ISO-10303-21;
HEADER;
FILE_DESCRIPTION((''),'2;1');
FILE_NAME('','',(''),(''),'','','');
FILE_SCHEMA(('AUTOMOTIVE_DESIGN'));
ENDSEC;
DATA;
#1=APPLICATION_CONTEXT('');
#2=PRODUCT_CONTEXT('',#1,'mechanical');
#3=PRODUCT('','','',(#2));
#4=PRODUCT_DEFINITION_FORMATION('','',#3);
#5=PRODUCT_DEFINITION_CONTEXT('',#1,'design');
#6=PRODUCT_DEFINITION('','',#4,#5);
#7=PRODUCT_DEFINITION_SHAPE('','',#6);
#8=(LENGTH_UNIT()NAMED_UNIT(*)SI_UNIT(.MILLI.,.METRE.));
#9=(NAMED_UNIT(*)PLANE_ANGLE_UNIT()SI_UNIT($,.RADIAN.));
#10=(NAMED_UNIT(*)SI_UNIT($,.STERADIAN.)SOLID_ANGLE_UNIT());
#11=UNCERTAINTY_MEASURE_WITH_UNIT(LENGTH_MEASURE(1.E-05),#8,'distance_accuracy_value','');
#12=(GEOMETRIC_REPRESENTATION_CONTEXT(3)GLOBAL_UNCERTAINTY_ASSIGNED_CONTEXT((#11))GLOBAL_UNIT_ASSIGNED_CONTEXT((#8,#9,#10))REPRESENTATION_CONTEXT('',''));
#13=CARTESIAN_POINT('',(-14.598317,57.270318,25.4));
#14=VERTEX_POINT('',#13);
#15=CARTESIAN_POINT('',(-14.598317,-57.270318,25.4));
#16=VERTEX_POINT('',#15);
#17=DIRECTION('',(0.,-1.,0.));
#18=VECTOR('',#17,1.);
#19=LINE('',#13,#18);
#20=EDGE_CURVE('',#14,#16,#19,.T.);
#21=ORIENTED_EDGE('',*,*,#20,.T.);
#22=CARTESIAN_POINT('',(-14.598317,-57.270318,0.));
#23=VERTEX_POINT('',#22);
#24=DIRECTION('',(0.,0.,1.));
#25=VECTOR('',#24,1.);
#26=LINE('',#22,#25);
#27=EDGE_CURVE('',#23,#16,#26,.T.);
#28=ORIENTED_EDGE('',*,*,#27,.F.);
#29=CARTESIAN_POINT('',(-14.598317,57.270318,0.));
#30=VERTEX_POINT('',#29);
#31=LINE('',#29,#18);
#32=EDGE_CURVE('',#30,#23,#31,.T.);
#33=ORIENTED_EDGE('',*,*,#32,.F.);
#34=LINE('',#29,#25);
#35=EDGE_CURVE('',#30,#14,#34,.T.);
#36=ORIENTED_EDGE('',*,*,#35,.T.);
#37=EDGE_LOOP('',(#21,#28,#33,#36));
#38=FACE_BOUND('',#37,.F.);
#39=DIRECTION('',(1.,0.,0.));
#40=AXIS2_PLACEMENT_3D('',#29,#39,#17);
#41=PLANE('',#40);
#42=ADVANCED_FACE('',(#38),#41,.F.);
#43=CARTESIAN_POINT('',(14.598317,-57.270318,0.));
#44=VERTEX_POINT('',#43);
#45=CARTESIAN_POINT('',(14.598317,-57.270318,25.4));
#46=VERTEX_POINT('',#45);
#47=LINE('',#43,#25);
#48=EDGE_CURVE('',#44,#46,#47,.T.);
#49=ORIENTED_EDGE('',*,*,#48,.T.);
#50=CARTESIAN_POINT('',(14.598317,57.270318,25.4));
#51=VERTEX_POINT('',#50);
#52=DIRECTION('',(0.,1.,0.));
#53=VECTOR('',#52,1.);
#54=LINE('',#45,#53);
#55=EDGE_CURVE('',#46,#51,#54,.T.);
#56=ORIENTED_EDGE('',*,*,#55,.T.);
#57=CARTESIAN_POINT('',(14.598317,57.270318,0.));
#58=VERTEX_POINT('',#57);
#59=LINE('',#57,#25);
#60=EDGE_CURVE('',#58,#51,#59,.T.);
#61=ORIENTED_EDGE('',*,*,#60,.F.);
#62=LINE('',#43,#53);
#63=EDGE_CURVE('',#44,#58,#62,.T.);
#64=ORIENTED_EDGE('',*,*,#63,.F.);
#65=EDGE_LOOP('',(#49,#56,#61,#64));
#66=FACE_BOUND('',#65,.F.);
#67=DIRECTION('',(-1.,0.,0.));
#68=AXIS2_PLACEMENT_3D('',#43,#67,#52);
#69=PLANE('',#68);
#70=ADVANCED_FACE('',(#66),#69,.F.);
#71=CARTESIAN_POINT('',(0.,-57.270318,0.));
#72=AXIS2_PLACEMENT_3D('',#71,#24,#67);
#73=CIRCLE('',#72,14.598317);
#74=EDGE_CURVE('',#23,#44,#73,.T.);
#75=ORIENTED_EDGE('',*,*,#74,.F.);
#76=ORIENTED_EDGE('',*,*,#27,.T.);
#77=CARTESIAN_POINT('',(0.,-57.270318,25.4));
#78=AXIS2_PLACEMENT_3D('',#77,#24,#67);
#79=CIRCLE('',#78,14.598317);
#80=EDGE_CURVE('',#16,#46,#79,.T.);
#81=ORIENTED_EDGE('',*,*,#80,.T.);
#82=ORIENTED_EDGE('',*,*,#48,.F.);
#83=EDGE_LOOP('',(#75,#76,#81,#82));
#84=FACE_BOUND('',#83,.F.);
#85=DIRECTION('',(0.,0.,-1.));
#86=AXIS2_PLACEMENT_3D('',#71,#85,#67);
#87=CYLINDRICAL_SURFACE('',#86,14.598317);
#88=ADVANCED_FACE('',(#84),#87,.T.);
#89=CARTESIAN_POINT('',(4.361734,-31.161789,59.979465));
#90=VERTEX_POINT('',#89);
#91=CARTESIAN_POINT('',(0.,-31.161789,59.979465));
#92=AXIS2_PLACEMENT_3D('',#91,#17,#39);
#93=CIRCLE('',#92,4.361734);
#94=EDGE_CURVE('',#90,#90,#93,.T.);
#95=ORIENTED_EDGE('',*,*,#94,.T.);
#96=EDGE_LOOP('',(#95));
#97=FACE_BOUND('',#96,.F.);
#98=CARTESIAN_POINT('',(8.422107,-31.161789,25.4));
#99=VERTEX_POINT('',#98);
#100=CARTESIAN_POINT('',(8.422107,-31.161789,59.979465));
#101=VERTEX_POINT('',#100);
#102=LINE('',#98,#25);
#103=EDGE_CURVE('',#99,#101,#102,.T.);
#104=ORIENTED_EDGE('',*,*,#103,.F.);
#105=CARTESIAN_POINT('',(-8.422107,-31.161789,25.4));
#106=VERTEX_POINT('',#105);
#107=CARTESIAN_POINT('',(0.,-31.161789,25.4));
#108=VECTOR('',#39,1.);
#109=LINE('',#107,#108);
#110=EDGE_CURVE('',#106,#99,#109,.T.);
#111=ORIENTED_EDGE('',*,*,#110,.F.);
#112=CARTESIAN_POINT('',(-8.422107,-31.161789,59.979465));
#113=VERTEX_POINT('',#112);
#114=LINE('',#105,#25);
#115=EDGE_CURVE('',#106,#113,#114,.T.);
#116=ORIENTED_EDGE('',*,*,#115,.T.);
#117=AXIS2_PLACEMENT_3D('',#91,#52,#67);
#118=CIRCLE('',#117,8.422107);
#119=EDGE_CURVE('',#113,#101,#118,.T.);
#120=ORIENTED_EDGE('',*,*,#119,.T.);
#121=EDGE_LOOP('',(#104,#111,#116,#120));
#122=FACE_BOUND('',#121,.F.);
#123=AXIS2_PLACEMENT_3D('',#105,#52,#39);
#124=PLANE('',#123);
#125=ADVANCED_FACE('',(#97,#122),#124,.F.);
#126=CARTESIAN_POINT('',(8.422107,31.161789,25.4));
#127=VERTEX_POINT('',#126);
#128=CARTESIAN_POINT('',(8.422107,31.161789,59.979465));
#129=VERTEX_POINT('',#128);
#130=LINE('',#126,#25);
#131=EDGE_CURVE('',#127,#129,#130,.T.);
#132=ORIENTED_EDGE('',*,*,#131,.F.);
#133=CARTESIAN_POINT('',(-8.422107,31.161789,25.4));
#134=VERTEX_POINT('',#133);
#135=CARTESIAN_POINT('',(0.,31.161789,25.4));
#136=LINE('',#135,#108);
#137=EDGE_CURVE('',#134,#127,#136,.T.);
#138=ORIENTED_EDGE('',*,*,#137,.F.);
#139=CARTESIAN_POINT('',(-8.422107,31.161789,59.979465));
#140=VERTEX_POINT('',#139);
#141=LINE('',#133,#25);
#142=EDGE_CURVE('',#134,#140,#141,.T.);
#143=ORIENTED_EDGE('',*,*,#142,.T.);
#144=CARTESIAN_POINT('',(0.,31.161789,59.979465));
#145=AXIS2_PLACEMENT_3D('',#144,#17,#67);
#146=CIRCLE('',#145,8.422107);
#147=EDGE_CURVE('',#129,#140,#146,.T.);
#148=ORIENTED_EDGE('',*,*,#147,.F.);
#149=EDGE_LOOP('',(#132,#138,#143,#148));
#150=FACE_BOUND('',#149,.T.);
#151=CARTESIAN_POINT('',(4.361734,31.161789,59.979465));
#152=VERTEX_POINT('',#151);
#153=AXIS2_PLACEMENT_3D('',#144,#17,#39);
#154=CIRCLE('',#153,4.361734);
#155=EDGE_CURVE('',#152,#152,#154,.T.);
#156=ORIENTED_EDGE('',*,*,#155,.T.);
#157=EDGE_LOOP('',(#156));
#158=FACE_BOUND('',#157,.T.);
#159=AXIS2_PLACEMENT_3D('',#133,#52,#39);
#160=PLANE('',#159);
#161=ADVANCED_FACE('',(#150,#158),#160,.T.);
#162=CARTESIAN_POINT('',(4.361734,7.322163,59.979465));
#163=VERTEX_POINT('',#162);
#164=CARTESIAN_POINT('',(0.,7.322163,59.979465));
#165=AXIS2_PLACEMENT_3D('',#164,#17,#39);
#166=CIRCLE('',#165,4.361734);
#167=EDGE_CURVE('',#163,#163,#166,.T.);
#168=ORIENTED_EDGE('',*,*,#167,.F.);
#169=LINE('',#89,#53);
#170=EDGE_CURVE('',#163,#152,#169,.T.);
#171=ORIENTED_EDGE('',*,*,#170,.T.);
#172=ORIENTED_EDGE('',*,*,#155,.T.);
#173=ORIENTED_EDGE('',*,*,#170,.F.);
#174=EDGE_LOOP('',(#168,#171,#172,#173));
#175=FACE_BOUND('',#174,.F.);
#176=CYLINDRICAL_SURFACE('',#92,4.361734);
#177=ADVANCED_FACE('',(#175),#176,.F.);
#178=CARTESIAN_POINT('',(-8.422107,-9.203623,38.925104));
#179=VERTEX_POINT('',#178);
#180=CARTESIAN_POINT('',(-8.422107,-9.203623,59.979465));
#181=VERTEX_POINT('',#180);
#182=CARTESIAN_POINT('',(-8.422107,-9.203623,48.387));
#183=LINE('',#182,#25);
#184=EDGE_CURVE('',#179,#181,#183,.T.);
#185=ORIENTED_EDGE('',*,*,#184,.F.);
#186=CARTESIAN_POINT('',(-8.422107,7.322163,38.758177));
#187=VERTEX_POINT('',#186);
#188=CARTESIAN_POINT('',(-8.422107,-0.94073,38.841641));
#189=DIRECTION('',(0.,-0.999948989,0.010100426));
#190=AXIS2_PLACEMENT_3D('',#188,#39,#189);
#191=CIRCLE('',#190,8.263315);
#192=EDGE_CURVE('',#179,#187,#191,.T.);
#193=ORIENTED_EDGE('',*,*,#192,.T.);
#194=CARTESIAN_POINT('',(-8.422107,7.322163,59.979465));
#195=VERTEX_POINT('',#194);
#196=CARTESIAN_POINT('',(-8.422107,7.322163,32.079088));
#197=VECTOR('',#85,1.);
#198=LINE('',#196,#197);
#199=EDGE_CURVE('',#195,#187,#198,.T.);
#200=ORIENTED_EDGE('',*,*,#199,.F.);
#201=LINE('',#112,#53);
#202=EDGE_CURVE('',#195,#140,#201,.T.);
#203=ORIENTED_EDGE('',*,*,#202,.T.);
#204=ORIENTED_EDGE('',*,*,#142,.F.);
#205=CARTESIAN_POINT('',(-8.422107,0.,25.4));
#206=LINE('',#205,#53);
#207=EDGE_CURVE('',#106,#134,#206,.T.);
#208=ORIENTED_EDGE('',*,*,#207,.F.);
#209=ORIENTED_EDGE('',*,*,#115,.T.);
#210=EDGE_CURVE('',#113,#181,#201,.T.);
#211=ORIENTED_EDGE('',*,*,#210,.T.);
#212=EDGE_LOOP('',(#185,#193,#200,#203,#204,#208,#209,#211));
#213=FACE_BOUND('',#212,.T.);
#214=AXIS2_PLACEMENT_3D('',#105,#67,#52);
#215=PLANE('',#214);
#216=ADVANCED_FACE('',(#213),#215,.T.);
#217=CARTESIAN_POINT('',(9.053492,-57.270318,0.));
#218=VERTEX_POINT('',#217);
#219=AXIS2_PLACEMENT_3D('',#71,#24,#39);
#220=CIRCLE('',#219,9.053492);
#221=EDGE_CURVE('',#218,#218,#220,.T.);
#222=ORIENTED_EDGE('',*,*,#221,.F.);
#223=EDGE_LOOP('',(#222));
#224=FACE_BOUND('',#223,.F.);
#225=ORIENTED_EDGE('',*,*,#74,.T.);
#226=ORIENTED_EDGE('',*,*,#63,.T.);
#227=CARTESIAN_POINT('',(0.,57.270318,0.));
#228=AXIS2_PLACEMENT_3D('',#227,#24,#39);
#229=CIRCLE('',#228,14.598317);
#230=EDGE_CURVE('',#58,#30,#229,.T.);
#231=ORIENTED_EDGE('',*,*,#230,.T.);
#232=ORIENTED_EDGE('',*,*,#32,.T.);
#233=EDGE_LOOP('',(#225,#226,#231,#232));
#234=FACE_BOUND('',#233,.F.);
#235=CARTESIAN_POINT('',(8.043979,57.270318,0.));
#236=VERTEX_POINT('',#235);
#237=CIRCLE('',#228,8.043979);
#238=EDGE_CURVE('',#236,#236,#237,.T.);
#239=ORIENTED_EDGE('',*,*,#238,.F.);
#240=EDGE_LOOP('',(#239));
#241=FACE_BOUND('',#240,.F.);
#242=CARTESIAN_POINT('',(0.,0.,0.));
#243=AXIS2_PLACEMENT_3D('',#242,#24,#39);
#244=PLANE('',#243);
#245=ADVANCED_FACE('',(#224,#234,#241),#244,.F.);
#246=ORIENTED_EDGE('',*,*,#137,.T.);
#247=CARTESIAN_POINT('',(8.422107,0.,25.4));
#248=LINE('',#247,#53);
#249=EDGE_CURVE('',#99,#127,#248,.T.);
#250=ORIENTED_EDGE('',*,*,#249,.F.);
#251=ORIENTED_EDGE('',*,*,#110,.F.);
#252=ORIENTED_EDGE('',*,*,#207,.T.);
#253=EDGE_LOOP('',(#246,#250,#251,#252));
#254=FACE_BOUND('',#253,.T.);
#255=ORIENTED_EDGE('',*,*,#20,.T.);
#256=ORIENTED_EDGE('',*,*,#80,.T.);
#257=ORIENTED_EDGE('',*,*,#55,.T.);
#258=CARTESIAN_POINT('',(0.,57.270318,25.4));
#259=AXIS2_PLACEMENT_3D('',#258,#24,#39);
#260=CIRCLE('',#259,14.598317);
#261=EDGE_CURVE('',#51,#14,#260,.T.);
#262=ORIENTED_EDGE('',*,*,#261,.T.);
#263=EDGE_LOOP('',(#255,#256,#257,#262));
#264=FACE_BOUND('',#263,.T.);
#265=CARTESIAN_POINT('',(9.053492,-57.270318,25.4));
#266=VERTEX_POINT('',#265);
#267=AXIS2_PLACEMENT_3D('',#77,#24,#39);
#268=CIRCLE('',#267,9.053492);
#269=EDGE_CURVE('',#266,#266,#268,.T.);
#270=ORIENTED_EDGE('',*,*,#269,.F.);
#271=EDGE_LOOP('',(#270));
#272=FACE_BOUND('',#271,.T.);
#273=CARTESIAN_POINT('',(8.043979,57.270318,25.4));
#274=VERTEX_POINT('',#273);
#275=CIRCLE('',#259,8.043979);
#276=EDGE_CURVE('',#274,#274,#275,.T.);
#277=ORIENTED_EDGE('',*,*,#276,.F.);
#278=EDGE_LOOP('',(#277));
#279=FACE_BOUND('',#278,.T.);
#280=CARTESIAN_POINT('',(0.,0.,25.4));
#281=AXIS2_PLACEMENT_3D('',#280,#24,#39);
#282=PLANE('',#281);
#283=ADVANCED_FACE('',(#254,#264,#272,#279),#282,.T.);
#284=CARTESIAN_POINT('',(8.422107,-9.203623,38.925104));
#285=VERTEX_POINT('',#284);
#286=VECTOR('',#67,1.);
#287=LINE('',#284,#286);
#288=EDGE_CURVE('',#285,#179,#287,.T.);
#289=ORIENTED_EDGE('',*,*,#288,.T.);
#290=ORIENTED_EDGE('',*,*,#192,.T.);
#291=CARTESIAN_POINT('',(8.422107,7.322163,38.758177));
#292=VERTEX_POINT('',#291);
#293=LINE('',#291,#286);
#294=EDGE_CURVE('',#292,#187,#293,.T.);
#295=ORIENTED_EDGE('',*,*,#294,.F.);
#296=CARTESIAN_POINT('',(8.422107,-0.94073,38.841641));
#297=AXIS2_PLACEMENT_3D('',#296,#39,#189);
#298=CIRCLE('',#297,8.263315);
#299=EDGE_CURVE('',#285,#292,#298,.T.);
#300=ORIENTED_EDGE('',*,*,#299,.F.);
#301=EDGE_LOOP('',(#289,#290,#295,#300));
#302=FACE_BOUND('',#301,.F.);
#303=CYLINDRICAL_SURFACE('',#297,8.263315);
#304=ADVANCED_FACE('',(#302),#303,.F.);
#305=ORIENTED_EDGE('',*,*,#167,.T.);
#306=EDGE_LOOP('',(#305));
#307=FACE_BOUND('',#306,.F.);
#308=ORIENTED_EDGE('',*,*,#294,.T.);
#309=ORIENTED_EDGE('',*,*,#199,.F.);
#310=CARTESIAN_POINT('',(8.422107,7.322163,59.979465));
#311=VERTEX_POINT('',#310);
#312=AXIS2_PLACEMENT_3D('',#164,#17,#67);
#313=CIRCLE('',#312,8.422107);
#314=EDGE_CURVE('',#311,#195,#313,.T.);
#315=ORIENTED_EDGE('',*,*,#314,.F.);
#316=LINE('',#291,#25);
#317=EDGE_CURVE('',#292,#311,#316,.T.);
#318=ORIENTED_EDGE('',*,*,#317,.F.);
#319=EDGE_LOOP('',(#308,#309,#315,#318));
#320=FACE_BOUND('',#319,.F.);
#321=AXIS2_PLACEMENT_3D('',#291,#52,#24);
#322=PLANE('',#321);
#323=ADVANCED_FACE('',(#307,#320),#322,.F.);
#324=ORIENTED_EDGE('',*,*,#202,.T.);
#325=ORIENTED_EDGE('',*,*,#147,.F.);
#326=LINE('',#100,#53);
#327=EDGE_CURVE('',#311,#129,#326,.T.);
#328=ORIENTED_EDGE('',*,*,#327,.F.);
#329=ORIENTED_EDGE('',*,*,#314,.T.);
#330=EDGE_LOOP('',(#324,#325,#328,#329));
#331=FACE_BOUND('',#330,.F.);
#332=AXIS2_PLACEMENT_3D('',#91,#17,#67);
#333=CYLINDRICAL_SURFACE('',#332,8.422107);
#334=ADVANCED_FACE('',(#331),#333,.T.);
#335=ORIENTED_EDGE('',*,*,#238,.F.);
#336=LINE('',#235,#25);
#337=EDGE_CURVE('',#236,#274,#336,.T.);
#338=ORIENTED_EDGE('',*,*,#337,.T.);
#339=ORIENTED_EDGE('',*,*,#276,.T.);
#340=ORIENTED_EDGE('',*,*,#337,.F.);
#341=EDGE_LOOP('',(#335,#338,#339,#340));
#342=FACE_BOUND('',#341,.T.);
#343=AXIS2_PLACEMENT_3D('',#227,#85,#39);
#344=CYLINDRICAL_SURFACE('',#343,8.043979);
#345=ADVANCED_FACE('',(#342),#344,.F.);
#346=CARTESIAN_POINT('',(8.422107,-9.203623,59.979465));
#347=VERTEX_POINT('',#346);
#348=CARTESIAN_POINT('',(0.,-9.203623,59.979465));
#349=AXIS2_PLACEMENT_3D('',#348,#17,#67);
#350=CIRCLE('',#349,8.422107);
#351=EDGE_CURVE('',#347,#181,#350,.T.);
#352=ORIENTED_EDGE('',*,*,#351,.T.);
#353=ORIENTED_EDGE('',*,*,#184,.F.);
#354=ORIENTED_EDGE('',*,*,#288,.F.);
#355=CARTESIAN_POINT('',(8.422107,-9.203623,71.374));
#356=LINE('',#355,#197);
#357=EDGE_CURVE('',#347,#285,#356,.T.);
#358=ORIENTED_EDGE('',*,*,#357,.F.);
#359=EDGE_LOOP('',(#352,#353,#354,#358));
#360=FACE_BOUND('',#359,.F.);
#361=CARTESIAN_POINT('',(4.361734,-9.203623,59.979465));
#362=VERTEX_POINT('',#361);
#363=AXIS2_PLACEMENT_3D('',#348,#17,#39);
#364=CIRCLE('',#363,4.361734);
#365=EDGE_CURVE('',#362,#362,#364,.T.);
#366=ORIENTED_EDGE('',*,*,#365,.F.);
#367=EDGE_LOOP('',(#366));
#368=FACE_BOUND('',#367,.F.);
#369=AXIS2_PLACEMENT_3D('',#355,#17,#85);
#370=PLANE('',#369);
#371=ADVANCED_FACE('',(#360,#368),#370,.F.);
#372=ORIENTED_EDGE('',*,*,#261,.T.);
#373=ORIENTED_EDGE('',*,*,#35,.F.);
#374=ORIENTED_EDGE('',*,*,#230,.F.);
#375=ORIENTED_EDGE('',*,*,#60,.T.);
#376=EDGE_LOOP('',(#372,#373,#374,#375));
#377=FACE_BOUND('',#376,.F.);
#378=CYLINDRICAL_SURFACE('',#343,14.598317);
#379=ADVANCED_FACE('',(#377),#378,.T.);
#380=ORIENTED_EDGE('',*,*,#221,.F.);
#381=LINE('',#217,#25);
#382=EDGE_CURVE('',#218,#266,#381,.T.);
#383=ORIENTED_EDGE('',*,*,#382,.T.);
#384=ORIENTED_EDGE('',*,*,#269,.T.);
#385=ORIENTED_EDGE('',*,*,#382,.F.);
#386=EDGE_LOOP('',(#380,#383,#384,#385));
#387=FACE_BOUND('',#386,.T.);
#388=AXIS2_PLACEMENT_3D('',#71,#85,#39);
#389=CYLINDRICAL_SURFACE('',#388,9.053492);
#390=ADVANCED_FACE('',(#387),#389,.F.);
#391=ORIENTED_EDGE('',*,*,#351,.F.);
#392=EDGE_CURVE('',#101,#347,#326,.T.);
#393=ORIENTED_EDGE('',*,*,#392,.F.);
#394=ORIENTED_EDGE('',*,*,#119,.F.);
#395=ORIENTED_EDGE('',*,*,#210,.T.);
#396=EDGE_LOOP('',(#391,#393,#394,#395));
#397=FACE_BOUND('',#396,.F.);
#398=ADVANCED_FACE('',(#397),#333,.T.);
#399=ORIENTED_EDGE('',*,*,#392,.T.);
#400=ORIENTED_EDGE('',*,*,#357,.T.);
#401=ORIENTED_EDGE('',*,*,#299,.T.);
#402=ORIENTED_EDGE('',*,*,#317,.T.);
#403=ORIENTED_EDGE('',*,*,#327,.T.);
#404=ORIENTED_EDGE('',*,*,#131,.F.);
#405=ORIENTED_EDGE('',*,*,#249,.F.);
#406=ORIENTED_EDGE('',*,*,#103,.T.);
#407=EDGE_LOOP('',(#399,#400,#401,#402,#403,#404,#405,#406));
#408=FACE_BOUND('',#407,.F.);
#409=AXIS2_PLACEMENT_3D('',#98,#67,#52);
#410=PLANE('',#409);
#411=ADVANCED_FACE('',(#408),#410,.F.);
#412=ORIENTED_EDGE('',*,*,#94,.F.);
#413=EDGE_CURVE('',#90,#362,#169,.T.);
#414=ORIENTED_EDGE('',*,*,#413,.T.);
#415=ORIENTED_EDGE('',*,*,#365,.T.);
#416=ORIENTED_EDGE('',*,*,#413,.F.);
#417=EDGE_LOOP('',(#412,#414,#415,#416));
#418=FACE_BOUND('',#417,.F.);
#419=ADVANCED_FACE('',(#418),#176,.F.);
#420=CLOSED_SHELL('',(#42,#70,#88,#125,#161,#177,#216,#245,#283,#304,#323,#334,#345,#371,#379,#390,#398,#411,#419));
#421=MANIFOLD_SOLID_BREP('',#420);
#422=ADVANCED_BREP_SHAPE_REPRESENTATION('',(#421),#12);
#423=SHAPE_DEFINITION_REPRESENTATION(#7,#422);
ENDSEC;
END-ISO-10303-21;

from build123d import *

# Parameters (mm, degrees)
F0_R     = 9.053492
F0_R_2   = 8.043979
F1_DEPTH = 25.4
F2_W     = 16.844214
F2_H     = 62.323578
F3_DEPTH = 45.974
F5_DEPTH = 25.4
F6_R     = 4.361734
F7_DEPTH = 85.598


with BuildPart() as f1:
    # F0 (on Top) → F1 (new body)
    with BuildSketch(Plane.XY):
        with BuildLine():
            Line((14.598317, -57.270318), (14.598317, 57.270318))
            ThreePointArc((14.598317, 57.270318), (0, 71.868635), (-14.598317, 57.270318))
            Line((-14.598317, 57.270318), (-14.598317, -57.270318))
            ThreePointArc((-14.598317, -57.270318), (0, -71.868635), (14.598317, -57.270318))
        make_face()
        with Locations((0, -57.270318)):
            Circle(F0_R, mode=Mode.SUBTRACT)
        with Locations((0, 57.270318)):
            Circle(F0_R_2, mode=Mode.SUBTRACT)
    extrude(amount=F1_DEPTH)

    # F2 (on face) → F3 (join)
    with BuildSketch(Plane.XY.offset(25.4)):
        Rectangle(F2_W, F2_H)
    extrude(amount=F3_DEPTH)

    # F4 (on face) → F5 (cut)
    with BuildSketch(Plane.YZ.offset(8.422107)):
        with BuildLine():
            Line((7.322163, 71.374), (-9.203623, 71.374))
            Line((-9.203623, 71.374), (-9.203623, 38.925104))
            ThreePointArc((-9.203623, 38.925104), (-1.024193, 30.578748), (7.322163, 38.758177))
            Line((7.322163, 38.758177), (7.322163, 71.374))
        make_face()
    extrude(amount=-F5_DEPTH, mode=Mode.SUBTRACT)

    # F6 (on face) → F7 (cut)
    with BuildSketch(Plane.XZ.offset(31.161789)):
        with BuildLine():
            Line((-8.422107, 71.374), (-8.422107, 59.979465))
            ThreePointArc((-8.422107, 59.979465), (0, 68.401572), (8.422107, 59.979465))
            Line((8.422107, 59.979465), (8.422107, 71.374))
            Line((8.422107, 71.374), (-8.422107, 71.374))
        make_face()
        with Locations((0, 59.979465)):
            Circle(F6_R)
    extrude(amount=-F7_DEPTH, mode=Mode.SUBTRACT)


solid = f1.part
